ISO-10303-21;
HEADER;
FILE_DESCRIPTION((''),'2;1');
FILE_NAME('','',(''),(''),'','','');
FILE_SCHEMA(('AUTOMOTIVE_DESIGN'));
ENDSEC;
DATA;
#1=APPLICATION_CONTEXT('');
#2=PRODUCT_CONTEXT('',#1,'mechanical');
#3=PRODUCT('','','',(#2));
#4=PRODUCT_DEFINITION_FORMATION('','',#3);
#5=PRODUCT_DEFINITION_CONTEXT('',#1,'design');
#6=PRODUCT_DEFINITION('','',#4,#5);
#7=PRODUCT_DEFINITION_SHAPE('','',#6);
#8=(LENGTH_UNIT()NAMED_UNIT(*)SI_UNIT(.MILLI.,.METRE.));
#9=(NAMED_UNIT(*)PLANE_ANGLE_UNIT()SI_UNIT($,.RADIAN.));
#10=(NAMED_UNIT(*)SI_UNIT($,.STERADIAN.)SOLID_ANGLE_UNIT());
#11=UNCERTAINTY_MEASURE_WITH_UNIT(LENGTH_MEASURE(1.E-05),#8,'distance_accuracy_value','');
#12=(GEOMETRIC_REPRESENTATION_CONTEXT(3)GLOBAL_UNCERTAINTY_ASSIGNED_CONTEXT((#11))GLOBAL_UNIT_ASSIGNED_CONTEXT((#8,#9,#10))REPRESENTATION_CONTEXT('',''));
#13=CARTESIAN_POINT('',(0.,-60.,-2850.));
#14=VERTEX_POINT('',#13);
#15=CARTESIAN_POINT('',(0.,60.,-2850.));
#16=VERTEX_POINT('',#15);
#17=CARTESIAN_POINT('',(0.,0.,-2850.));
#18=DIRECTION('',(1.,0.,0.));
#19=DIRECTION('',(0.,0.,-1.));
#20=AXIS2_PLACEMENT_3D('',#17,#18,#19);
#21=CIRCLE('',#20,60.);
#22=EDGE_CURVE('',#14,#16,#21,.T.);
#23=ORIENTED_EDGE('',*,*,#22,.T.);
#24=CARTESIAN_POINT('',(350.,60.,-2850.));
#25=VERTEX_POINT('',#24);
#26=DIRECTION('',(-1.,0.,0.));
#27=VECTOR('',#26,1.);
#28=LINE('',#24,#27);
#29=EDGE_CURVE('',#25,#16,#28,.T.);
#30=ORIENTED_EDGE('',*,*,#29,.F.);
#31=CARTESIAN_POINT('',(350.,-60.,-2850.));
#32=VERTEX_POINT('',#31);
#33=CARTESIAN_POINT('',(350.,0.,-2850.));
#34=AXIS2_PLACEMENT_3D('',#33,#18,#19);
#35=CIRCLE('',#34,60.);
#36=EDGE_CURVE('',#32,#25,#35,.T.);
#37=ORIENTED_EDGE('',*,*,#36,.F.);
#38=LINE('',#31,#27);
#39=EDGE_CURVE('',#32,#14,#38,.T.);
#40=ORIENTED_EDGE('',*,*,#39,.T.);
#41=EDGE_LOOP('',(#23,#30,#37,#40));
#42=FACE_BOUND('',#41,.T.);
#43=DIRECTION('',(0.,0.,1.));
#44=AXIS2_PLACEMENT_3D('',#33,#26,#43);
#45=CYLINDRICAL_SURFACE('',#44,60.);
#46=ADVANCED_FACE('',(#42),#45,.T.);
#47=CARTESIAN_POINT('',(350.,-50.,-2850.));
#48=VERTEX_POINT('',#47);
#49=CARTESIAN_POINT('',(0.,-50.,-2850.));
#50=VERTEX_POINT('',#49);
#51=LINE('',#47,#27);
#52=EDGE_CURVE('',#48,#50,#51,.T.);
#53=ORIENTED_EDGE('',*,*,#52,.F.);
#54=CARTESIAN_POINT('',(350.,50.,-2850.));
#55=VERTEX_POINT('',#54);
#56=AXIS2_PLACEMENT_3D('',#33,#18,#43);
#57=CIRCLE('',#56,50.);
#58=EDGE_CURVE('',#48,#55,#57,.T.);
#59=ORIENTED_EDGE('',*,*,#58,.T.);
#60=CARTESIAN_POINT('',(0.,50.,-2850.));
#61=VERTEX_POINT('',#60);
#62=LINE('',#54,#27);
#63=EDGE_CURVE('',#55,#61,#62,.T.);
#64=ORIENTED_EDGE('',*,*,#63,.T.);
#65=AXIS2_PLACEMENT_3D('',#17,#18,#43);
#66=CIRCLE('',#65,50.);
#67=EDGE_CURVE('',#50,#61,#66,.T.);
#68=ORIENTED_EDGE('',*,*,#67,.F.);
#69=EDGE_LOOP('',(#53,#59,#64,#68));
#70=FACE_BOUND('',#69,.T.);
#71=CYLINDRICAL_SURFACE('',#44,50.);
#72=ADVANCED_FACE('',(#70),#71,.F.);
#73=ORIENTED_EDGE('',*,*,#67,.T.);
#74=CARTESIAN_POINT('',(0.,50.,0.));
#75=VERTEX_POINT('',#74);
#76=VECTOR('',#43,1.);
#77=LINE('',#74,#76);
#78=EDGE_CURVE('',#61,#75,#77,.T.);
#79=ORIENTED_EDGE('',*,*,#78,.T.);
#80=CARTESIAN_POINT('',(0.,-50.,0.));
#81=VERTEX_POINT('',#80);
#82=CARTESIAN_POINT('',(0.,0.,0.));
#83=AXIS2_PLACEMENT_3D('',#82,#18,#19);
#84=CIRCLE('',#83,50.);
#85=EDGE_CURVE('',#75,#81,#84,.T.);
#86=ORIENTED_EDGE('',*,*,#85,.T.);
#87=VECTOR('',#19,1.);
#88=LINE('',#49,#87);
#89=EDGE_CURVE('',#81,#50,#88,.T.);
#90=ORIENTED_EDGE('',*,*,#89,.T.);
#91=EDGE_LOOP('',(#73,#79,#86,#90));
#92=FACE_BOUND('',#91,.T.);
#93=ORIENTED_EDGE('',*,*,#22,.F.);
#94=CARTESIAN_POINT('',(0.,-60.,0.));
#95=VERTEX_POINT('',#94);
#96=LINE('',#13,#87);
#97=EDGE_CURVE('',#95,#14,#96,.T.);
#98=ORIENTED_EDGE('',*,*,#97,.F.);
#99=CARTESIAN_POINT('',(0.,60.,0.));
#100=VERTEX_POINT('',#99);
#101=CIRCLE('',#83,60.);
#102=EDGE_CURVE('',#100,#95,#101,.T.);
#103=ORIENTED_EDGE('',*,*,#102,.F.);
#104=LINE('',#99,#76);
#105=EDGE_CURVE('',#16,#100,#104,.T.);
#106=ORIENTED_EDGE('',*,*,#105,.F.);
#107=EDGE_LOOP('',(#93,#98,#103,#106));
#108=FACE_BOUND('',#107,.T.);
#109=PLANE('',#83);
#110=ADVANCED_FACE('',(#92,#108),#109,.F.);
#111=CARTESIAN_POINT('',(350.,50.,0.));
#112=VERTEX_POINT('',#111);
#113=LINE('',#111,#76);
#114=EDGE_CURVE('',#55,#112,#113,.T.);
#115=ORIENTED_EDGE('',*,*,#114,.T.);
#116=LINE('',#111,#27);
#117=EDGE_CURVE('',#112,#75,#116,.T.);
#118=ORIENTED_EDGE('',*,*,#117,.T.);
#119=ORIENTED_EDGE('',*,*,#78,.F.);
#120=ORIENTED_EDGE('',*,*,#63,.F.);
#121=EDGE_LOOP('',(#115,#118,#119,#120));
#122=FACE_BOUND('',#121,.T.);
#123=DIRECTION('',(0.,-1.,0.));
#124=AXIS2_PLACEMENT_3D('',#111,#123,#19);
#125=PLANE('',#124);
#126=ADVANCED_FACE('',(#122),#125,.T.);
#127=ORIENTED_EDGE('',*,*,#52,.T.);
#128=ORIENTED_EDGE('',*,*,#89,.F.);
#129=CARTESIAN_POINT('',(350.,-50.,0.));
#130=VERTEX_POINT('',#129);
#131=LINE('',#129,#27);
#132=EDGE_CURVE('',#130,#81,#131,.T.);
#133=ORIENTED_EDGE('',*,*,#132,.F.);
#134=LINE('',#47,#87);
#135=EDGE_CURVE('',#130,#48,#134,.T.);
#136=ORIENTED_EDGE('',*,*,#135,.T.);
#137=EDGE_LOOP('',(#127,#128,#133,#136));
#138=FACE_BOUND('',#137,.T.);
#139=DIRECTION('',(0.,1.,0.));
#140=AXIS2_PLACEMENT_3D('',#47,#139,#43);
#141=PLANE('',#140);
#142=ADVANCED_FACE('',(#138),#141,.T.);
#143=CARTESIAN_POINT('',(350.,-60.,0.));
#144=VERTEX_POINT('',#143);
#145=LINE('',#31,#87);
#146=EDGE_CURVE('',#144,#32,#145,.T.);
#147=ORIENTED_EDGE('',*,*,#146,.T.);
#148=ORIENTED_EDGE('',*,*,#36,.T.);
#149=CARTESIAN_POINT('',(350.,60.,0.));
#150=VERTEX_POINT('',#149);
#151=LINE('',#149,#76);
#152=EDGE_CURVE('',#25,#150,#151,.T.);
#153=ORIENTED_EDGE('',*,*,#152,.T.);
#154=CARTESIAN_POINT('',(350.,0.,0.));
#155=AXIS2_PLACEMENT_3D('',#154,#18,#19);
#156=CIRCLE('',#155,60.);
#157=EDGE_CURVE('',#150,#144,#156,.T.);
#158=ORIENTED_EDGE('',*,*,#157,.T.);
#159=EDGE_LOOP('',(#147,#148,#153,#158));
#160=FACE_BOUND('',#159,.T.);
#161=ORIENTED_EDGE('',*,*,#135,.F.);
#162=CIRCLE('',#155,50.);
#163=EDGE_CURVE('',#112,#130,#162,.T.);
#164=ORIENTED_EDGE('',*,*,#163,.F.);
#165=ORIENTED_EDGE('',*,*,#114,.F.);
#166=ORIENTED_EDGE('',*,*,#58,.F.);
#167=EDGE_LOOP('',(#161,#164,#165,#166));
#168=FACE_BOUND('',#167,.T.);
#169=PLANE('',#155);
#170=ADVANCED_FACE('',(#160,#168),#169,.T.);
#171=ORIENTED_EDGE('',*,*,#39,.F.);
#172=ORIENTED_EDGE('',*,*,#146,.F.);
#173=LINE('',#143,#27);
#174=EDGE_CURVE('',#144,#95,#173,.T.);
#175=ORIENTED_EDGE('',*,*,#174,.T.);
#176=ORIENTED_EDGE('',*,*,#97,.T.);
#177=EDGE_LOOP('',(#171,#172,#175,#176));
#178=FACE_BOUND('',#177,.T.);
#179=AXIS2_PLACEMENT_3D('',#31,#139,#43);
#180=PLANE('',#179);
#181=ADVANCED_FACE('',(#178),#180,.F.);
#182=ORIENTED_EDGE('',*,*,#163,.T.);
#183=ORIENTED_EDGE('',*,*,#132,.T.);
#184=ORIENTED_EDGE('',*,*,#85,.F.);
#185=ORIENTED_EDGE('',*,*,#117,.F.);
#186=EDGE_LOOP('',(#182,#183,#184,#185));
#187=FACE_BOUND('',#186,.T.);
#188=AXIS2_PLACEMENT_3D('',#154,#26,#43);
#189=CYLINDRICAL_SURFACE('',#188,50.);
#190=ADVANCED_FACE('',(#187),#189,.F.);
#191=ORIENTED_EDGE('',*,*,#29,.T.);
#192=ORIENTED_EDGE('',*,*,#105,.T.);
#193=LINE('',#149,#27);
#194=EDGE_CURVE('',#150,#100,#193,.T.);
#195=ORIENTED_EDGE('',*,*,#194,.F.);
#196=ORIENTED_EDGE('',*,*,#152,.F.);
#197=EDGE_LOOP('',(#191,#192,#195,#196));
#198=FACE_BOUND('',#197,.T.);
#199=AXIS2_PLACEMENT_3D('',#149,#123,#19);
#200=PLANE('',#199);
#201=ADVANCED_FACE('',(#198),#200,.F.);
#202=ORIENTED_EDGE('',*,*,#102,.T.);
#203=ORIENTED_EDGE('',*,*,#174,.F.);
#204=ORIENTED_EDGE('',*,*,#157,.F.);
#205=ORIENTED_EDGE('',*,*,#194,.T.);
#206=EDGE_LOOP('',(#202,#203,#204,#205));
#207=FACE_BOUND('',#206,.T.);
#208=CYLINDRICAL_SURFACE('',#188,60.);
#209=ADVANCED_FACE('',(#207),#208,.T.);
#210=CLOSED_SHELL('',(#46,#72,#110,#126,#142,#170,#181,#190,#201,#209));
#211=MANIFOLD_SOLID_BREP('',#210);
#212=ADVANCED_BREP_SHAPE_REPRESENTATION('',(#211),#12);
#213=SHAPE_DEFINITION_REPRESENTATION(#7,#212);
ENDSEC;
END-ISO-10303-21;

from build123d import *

# Parameters (mm, degrees)
BOSS_EXTRU_1_DEPTH = 350


with BuildPart() as part:
    # Esquisse1 → Boss.-Extru.1 (new body)
    with BuildSketch(Plane(origin=(0, 0, 0), x_dir=(0, 0, -1), z_dir=(1, 0, 0))):
        with BuildLine():
            Line((0, 60), (2850, 60))
            ThreePointArc((2850, 60), (2910, 0), (2850, -60))
            Line((2850, -60), (0, -60))
            ThreePointArc((0, -60), (-60, 0), (0, 60))
        make_face()
        with BuildLine():
            Line((0, 50), (2850, 50))
            ThreePointArc((2850, 50), (2900, 0), (2850, -50))
            Line((2850, -50), (0, -50))
            ThreePointArc((0, -50), (-50, 0), (0, 50))
        make_face(mode=Mode.SUBTRACT)
    extrude(amount=BOSS_EXTRU_1_DEPTH)


solid = part.part
